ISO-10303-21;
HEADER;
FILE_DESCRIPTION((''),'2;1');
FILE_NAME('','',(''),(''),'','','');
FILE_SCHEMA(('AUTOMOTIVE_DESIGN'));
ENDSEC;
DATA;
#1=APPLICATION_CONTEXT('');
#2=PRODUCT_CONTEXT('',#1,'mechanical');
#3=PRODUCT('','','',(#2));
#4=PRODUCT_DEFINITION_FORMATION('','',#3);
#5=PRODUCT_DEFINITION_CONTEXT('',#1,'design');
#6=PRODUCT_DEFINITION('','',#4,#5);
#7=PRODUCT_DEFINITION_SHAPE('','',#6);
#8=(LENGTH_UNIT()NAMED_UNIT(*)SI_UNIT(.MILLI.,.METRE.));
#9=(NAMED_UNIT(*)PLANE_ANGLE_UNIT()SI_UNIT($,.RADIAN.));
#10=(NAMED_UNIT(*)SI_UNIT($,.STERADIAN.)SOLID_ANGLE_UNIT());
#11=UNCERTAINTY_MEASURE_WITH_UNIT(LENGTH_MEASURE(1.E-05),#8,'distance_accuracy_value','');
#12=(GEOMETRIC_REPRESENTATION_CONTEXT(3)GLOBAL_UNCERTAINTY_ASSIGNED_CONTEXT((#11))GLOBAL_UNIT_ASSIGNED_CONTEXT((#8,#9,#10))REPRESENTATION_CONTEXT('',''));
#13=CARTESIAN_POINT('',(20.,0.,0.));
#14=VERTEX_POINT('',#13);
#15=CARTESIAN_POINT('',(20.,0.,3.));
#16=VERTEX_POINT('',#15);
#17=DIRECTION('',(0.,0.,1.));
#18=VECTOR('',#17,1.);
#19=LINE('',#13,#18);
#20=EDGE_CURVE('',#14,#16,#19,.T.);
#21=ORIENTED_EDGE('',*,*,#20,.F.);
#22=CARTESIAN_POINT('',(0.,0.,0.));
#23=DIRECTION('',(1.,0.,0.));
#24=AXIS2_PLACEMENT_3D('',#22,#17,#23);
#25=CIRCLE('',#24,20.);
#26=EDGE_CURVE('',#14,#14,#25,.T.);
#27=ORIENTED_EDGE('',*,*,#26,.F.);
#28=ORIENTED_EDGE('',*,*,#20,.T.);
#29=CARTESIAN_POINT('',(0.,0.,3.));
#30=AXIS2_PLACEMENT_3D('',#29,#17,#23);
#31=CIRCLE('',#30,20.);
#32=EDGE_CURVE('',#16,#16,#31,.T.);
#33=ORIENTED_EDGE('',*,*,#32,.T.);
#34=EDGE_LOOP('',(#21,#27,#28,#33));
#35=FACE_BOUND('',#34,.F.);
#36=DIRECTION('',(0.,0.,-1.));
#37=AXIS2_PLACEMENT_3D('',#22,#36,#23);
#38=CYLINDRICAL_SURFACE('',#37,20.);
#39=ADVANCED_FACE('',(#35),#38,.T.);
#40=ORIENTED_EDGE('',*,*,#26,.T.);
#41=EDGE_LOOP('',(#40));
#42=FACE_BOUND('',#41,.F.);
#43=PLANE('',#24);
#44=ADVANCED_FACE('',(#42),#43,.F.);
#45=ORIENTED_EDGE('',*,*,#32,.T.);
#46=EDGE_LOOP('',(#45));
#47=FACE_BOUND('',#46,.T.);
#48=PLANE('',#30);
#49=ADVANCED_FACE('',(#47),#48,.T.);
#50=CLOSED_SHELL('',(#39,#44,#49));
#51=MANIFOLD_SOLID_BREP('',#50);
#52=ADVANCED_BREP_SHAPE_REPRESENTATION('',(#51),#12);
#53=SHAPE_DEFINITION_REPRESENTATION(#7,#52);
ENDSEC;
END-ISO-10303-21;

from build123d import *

# Parameters (mm, degrees)
SKETCH_R      = 20
EXTRUDE_DEPTH = 3


with BuildPart() as part:
    # Sketch → Extrude (new body)
    with BuildSketch(Plane.XY):
        Circle(SKETCH_R)
    extrude(amount=EXTRUDE_DEPTH)


solid = part.part
